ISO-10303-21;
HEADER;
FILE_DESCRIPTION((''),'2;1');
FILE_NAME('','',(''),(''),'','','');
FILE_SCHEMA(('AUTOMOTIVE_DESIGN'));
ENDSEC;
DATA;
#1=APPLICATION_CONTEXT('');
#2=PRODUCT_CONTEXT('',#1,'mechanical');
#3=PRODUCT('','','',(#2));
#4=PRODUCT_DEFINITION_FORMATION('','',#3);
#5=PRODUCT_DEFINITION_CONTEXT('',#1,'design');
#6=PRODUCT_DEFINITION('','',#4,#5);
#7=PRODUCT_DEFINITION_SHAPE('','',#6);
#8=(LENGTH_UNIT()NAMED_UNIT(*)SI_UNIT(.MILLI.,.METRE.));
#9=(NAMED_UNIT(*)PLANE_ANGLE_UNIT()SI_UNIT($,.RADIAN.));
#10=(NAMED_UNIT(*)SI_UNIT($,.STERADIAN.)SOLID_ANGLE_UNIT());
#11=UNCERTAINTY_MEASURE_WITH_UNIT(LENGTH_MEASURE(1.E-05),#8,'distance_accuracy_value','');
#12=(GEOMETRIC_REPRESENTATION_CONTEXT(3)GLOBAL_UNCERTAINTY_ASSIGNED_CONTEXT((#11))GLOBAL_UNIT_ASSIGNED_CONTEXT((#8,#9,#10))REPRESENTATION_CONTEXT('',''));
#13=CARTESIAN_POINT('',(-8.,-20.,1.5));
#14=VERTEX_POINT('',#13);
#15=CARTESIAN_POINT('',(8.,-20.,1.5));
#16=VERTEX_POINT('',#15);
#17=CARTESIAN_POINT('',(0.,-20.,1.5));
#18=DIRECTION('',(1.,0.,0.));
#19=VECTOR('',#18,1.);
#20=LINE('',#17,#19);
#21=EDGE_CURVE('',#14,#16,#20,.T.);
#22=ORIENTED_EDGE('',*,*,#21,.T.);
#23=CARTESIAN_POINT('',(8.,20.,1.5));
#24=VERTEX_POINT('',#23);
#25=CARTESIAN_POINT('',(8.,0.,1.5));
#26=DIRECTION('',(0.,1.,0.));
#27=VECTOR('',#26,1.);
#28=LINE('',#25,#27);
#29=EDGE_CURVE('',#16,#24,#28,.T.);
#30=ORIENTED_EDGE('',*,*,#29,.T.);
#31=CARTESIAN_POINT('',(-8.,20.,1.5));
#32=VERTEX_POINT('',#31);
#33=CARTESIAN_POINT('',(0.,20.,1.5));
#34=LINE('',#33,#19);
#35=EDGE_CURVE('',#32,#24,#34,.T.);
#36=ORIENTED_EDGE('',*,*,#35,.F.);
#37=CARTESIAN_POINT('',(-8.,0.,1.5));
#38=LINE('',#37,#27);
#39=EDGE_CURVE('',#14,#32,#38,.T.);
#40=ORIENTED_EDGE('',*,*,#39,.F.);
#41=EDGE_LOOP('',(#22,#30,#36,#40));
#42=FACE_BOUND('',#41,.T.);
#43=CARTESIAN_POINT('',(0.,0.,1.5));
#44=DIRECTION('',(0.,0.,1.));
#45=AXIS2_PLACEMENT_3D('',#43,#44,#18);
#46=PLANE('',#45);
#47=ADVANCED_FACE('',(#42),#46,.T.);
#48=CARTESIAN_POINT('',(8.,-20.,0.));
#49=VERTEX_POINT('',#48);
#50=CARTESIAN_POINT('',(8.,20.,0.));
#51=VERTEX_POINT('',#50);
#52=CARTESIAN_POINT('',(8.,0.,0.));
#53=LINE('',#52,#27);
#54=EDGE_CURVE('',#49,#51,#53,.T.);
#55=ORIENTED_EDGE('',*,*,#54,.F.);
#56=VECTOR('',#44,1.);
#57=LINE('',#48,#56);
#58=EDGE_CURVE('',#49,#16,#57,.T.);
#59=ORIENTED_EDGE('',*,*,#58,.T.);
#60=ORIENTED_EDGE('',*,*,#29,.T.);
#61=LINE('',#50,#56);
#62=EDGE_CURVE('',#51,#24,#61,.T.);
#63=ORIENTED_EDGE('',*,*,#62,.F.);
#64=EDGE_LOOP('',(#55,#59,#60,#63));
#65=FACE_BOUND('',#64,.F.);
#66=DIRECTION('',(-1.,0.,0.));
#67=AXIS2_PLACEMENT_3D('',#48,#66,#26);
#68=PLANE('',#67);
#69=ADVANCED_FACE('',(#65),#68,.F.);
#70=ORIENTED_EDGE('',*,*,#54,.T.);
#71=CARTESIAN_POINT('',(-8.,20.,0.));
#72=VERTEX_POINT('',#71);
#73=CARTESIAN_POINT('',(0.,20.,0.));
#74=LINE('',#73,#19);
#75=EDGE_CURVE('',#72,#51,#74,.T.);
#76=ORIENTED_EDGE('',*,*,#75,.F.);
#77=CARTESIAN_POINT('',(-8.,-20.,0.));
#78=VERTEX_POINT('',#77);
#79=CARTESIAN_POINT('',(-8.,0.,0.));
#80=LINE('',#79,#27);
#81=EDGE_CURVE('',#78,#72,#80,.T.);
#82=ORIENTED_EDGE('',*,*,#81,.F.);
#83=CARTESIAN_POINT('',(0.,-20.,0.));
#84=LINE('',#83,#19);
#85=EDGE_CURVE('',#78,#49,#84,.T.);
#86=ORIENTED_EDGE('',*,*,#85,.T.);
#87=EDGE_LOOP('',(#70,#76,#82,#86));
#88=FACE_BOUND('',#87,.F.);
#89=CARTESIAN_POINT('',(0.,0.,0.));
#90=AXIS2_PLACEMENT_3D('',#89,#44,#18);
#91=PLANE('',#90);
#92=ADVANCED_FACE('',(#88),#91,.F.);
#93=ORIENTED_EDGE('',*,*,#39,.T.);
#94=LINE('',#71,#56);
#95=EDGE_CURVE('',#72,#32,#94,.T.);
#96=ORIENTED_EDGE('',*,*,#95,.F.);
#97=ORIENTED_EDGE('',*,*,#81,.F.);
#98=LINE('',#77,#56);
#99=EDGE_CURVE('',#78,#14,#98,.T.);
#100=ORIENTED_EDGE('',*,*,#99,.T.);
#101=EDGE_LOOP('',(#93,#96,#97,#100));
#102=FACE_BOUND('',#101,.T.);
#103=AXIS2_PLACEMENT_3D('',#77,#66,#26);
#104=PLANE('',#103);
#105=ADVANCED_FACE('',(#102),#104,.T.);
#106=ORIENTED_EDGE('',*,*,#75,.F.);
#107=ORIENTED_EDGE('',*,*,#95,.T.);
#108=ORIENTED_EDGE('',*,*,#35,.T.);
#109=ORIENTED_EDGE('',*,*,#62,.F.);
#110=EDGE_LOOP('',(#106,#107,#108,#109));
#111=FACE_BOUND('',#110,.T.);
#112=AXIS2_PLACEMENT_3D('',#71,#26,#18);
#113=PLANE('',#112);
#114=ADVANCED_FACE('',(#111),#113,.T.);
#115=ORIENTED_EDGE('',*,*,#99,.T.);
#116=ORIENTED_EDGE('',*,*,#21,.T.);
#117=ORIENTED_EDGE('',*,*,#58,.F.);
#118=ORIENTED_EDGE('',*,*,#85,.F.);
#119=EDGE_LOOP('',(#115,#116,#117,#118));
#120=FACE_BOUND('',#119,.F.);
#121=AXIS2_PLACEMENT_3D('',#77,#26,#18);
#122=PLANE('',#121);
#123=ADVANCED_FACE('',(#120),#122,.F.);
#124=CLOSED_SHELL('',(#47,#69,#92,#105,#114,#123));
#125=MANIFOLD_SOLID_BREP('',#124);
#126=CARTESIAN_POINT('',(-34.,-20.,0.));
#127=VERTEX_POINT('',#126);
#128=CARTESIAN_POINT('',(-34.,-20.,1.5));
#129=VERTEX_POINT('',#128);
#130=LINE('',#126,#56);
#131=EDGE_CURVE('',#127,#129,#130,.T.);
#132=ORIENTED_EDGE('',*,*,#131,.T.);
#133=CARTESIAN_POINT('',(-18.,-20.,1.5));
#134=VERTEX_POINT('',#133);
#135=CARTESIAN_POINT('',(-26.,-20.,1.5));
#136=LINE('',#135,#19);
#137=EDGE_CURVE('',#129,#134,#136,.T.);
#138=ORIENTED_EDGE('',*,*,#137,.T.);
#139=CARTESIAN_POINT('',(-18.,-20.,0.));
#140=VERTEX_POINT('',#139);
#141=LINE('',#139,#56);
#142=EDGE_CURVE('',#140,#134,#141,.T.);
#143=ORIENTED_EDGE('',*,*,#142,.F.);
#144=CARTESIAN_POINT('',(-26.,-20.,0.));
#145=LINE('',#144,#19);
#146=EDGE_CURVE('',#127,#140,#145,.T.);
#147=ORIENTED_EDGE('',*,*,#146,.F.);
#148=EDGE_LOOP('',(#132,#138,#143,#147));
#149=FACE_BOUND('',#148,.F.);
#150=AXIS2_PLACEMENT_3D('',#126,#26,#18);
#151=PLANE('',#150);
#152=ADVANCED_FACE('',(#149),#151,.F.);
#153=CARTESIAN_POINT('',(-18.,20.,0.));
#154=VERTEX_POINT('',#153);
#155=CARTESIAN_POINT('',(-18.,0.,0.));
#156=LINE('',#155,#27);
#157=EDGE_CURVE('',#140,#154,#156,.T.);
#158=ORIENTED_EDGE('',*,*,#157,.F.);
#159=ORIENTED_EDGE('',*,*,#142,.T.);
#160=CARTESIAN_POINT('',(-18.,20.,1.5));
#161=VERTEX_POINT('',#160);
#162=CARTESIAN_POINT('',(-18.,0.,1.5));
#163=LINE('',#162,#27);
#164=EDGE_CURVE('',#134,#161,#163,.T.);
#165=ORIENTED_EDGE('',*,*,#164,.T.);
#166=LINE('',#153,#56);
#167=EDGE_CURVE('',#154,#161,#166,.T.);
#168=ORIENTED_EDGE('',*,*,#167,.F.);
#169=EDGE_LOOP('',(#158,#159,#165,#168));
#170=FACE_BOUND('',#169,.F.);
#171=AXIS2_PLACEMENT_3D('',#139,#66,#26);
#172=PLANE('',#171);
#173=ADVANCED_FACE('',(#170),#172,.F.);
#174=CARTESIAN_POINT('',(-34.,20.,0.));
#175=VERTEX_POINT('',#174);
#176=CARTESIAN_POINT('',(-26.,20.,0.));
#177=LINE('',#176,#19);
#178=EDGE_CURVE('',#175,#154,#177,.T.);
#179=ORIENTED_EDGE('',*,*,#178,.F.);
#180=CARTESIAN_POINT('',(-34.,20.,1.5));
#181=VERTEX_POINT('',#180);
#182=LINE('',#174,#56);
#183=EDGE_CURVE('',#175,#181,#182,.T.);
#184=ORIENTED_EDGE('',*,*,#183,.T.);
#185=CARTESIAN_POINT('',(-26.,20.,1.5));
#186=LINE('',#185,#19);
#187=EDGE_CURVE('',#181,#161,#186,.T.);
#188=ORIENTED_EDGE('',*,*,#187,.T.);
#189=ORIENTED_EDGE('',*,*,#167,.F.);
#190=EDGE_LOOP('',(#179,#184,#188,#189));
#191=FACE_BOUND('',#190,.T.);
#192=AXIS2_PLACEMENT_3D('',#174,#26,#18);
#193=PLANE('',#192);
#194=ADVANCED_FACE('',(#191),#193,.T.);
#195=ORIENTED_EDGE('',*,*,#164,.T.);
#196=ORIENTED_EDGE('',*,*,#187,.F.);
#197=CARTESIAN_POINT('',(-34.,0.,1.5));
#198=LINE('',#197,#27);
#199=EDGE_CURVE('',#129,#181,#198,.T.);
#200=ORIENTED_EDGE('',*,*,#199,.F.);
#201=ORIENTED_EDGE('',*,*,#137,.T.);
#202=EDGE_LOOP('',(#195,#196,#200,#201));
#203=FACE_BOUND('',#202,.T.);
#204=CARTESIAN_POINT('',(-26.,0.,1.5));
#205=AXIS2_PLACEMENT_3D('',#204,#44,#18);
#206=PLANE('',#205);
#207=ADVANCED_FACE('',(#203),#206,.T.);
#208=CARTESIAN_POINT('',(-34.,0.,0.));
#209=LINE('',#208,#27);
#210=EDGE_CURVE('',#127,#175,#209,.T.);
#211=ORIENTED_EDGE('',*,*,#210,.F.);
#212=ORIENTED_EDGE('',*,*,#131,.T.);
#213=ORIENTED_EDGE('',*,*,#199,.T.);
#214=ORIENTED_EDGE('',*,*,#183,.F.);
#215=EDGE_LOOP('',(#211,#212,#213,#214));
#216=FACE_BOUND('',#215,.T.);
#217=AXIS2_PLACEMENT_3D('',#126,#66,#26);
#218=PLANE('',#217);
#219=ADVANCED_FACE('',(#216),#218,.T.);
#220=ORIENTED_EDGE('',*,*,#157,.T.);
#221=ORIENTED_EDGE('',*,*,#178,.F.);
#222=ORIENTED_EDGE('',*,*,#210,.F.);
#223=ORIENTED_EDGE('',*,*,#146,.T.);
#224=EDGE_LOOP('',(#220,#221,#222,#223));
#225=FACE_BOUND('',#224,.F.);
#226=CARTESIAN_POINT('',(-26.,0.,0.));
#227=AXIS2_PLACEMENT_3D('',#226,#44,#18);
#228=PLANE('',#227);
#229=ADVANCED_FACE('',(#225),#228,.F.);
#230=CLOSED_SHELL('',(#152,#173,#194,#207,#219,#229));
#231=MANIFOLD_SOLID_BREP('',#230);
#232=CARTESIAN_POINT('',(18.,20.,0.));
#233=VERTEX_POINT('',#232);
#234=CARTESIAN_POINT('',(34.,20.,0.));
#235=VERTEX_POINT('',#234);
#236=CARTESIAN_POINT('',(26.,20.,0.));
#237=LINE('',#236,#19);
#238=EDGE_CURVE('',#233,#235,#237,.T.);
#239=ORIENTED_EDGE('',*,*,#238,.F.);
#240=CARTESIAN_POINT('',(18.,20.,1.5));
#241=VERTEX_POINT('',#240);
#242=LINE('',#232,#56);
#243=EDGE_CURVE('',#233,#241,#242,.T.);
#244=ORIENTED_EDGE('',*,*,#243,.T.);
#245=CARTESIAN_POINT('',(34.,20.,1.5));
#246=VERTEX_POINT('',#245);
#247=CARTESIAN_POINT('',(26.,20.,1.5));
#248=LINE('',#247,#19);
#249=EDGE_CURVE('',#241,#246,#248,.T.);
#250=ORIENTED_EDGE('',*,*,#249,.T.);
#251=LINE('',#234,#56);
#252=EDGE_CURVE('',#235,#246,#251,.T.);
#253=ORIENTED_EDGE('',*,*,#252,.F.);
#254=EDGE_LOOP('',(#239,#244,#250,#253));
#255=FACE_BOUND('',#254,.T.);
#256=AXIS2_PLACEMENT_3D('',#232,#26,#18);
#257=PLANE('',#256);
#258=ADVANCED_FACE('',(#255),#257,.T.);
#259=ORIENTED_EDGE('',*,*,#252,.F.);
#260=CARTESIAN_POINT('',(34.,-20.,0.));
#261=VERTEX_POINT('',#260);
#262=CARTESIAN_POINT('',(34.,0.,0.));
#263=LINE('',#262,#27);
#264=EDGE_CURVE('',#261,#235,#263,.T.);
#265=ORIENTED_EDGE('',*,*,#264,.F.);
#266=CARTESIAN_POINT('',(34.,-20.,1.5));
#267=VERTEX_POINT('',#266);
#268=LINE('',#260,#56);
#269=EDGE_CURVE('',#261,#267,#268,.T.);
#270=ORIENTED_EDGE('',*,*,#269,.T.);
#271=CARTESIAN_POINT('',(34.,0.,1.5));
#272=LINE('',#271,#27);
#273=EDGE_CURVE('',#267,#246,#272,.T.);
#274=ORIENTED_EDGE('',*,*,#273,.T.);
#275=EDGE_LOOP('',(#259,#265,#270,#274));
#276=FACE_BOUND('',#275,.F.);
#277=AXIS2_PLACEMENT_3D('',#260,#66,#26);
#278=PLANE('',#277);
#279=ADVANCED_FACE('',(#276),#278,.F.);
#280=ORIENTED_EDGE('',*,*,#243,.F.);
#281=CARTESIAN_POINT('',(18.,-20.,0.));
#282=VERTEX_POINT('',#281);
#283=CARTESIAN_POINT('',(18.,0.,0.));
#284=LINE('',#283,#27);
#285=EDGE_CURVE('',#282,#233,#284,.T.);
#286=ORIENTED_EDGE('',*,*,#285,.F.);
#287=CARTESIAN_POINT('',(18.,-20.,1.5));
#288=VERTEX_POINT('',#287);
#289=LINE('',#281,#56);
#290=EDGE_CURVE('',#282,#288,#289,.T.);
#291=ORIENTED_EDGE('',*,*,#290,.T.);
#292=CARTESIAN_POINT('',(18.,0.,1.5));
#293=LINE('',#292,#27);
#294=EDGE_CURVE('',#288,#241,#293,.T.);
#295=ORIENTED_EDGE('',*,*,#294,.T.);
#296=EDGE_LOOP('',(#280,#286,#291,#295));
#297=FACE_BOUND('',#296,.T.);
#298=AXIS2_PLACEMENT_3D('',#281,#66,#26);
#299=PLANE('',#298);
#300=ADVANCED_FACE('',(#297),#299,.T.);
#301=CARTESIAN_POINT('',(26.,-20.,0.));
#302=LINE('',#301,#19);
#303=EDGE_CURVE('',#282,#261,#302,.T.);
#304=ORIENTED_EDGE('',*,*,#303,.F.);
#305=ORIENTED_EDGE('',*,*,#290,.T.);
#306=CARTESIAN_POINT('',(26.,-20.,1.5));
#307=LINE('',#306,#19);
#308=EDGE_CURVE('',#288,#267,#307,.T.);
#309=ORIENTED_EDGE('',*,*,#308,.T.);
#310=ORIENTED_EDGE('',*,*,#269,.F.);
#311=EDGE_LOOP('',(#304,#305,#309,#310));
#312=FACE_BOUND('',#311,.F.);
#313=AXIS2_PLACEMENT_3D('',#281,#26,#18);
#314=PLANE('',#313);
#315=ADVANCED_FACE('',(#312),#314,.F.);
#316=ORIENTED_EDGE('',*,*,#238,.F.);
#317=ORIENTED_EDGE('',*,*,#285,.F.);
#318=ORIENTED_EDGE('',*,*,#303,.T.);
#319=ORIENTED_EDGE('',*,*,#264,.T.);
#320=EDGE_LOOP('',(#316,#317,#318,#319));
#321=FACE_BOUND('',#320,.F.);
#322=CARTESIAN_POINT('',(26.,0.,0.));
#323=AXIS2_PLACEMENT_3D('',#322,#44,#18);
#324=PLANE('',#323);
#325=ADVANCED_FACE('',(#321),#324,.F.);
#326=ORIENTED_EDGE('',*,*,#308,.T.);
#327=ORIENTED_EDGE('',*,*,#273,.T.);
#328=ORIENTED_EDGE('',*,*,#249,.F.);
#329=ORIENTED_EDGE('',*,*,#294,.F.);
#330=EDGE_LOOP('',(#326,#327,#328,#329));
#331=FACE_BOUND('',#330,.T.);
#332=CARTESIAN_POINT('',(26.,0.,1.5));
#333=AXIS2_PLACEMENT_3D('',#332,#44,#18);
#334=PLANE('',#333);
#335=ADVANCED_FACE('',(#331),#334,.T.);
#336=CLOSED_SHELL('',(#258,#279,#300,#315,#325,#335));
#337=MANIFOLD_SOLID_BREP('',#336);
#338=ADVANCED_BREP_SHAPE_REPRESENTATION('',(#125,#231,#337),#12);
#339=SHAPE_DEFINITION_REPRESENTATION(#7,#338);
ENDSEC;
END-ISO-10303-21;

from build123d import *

# Parameters (mm, degrees)
F0_W     = 16
F0_H     = 40
F1_DEPTH = 1.5
F2_DEPTH = 1.5
F3_DEPTH = 1.5


with BuildPart() as f1:
    # F0 (on Top) → F1 (new body)
    with BuildSketch(Plane.XY):
        with Locations((-26, 0)):
            Rectangle(F0_W, F0_H)
    extrude(amount=F1_DEPTH)


with BuildPart() as f2:
    # F0 (on Top) → F2 (new body)
    with BuildSketch(Plane.XY):
        Rectangle(F0_W, F0_H)
    extrude(amount=F2_DEPTH)


with BuildPart() as f3:
    # F0 (on Top) → F3 (new body)
    with BuildSketch(Plane.XY):
        with Locations((26, 0)):
            Rectangle(F0_W, F0_H)
    extrude(amount=F3_DEPTH)


solid = Compound([f1.part, f2.part, f3.part])
